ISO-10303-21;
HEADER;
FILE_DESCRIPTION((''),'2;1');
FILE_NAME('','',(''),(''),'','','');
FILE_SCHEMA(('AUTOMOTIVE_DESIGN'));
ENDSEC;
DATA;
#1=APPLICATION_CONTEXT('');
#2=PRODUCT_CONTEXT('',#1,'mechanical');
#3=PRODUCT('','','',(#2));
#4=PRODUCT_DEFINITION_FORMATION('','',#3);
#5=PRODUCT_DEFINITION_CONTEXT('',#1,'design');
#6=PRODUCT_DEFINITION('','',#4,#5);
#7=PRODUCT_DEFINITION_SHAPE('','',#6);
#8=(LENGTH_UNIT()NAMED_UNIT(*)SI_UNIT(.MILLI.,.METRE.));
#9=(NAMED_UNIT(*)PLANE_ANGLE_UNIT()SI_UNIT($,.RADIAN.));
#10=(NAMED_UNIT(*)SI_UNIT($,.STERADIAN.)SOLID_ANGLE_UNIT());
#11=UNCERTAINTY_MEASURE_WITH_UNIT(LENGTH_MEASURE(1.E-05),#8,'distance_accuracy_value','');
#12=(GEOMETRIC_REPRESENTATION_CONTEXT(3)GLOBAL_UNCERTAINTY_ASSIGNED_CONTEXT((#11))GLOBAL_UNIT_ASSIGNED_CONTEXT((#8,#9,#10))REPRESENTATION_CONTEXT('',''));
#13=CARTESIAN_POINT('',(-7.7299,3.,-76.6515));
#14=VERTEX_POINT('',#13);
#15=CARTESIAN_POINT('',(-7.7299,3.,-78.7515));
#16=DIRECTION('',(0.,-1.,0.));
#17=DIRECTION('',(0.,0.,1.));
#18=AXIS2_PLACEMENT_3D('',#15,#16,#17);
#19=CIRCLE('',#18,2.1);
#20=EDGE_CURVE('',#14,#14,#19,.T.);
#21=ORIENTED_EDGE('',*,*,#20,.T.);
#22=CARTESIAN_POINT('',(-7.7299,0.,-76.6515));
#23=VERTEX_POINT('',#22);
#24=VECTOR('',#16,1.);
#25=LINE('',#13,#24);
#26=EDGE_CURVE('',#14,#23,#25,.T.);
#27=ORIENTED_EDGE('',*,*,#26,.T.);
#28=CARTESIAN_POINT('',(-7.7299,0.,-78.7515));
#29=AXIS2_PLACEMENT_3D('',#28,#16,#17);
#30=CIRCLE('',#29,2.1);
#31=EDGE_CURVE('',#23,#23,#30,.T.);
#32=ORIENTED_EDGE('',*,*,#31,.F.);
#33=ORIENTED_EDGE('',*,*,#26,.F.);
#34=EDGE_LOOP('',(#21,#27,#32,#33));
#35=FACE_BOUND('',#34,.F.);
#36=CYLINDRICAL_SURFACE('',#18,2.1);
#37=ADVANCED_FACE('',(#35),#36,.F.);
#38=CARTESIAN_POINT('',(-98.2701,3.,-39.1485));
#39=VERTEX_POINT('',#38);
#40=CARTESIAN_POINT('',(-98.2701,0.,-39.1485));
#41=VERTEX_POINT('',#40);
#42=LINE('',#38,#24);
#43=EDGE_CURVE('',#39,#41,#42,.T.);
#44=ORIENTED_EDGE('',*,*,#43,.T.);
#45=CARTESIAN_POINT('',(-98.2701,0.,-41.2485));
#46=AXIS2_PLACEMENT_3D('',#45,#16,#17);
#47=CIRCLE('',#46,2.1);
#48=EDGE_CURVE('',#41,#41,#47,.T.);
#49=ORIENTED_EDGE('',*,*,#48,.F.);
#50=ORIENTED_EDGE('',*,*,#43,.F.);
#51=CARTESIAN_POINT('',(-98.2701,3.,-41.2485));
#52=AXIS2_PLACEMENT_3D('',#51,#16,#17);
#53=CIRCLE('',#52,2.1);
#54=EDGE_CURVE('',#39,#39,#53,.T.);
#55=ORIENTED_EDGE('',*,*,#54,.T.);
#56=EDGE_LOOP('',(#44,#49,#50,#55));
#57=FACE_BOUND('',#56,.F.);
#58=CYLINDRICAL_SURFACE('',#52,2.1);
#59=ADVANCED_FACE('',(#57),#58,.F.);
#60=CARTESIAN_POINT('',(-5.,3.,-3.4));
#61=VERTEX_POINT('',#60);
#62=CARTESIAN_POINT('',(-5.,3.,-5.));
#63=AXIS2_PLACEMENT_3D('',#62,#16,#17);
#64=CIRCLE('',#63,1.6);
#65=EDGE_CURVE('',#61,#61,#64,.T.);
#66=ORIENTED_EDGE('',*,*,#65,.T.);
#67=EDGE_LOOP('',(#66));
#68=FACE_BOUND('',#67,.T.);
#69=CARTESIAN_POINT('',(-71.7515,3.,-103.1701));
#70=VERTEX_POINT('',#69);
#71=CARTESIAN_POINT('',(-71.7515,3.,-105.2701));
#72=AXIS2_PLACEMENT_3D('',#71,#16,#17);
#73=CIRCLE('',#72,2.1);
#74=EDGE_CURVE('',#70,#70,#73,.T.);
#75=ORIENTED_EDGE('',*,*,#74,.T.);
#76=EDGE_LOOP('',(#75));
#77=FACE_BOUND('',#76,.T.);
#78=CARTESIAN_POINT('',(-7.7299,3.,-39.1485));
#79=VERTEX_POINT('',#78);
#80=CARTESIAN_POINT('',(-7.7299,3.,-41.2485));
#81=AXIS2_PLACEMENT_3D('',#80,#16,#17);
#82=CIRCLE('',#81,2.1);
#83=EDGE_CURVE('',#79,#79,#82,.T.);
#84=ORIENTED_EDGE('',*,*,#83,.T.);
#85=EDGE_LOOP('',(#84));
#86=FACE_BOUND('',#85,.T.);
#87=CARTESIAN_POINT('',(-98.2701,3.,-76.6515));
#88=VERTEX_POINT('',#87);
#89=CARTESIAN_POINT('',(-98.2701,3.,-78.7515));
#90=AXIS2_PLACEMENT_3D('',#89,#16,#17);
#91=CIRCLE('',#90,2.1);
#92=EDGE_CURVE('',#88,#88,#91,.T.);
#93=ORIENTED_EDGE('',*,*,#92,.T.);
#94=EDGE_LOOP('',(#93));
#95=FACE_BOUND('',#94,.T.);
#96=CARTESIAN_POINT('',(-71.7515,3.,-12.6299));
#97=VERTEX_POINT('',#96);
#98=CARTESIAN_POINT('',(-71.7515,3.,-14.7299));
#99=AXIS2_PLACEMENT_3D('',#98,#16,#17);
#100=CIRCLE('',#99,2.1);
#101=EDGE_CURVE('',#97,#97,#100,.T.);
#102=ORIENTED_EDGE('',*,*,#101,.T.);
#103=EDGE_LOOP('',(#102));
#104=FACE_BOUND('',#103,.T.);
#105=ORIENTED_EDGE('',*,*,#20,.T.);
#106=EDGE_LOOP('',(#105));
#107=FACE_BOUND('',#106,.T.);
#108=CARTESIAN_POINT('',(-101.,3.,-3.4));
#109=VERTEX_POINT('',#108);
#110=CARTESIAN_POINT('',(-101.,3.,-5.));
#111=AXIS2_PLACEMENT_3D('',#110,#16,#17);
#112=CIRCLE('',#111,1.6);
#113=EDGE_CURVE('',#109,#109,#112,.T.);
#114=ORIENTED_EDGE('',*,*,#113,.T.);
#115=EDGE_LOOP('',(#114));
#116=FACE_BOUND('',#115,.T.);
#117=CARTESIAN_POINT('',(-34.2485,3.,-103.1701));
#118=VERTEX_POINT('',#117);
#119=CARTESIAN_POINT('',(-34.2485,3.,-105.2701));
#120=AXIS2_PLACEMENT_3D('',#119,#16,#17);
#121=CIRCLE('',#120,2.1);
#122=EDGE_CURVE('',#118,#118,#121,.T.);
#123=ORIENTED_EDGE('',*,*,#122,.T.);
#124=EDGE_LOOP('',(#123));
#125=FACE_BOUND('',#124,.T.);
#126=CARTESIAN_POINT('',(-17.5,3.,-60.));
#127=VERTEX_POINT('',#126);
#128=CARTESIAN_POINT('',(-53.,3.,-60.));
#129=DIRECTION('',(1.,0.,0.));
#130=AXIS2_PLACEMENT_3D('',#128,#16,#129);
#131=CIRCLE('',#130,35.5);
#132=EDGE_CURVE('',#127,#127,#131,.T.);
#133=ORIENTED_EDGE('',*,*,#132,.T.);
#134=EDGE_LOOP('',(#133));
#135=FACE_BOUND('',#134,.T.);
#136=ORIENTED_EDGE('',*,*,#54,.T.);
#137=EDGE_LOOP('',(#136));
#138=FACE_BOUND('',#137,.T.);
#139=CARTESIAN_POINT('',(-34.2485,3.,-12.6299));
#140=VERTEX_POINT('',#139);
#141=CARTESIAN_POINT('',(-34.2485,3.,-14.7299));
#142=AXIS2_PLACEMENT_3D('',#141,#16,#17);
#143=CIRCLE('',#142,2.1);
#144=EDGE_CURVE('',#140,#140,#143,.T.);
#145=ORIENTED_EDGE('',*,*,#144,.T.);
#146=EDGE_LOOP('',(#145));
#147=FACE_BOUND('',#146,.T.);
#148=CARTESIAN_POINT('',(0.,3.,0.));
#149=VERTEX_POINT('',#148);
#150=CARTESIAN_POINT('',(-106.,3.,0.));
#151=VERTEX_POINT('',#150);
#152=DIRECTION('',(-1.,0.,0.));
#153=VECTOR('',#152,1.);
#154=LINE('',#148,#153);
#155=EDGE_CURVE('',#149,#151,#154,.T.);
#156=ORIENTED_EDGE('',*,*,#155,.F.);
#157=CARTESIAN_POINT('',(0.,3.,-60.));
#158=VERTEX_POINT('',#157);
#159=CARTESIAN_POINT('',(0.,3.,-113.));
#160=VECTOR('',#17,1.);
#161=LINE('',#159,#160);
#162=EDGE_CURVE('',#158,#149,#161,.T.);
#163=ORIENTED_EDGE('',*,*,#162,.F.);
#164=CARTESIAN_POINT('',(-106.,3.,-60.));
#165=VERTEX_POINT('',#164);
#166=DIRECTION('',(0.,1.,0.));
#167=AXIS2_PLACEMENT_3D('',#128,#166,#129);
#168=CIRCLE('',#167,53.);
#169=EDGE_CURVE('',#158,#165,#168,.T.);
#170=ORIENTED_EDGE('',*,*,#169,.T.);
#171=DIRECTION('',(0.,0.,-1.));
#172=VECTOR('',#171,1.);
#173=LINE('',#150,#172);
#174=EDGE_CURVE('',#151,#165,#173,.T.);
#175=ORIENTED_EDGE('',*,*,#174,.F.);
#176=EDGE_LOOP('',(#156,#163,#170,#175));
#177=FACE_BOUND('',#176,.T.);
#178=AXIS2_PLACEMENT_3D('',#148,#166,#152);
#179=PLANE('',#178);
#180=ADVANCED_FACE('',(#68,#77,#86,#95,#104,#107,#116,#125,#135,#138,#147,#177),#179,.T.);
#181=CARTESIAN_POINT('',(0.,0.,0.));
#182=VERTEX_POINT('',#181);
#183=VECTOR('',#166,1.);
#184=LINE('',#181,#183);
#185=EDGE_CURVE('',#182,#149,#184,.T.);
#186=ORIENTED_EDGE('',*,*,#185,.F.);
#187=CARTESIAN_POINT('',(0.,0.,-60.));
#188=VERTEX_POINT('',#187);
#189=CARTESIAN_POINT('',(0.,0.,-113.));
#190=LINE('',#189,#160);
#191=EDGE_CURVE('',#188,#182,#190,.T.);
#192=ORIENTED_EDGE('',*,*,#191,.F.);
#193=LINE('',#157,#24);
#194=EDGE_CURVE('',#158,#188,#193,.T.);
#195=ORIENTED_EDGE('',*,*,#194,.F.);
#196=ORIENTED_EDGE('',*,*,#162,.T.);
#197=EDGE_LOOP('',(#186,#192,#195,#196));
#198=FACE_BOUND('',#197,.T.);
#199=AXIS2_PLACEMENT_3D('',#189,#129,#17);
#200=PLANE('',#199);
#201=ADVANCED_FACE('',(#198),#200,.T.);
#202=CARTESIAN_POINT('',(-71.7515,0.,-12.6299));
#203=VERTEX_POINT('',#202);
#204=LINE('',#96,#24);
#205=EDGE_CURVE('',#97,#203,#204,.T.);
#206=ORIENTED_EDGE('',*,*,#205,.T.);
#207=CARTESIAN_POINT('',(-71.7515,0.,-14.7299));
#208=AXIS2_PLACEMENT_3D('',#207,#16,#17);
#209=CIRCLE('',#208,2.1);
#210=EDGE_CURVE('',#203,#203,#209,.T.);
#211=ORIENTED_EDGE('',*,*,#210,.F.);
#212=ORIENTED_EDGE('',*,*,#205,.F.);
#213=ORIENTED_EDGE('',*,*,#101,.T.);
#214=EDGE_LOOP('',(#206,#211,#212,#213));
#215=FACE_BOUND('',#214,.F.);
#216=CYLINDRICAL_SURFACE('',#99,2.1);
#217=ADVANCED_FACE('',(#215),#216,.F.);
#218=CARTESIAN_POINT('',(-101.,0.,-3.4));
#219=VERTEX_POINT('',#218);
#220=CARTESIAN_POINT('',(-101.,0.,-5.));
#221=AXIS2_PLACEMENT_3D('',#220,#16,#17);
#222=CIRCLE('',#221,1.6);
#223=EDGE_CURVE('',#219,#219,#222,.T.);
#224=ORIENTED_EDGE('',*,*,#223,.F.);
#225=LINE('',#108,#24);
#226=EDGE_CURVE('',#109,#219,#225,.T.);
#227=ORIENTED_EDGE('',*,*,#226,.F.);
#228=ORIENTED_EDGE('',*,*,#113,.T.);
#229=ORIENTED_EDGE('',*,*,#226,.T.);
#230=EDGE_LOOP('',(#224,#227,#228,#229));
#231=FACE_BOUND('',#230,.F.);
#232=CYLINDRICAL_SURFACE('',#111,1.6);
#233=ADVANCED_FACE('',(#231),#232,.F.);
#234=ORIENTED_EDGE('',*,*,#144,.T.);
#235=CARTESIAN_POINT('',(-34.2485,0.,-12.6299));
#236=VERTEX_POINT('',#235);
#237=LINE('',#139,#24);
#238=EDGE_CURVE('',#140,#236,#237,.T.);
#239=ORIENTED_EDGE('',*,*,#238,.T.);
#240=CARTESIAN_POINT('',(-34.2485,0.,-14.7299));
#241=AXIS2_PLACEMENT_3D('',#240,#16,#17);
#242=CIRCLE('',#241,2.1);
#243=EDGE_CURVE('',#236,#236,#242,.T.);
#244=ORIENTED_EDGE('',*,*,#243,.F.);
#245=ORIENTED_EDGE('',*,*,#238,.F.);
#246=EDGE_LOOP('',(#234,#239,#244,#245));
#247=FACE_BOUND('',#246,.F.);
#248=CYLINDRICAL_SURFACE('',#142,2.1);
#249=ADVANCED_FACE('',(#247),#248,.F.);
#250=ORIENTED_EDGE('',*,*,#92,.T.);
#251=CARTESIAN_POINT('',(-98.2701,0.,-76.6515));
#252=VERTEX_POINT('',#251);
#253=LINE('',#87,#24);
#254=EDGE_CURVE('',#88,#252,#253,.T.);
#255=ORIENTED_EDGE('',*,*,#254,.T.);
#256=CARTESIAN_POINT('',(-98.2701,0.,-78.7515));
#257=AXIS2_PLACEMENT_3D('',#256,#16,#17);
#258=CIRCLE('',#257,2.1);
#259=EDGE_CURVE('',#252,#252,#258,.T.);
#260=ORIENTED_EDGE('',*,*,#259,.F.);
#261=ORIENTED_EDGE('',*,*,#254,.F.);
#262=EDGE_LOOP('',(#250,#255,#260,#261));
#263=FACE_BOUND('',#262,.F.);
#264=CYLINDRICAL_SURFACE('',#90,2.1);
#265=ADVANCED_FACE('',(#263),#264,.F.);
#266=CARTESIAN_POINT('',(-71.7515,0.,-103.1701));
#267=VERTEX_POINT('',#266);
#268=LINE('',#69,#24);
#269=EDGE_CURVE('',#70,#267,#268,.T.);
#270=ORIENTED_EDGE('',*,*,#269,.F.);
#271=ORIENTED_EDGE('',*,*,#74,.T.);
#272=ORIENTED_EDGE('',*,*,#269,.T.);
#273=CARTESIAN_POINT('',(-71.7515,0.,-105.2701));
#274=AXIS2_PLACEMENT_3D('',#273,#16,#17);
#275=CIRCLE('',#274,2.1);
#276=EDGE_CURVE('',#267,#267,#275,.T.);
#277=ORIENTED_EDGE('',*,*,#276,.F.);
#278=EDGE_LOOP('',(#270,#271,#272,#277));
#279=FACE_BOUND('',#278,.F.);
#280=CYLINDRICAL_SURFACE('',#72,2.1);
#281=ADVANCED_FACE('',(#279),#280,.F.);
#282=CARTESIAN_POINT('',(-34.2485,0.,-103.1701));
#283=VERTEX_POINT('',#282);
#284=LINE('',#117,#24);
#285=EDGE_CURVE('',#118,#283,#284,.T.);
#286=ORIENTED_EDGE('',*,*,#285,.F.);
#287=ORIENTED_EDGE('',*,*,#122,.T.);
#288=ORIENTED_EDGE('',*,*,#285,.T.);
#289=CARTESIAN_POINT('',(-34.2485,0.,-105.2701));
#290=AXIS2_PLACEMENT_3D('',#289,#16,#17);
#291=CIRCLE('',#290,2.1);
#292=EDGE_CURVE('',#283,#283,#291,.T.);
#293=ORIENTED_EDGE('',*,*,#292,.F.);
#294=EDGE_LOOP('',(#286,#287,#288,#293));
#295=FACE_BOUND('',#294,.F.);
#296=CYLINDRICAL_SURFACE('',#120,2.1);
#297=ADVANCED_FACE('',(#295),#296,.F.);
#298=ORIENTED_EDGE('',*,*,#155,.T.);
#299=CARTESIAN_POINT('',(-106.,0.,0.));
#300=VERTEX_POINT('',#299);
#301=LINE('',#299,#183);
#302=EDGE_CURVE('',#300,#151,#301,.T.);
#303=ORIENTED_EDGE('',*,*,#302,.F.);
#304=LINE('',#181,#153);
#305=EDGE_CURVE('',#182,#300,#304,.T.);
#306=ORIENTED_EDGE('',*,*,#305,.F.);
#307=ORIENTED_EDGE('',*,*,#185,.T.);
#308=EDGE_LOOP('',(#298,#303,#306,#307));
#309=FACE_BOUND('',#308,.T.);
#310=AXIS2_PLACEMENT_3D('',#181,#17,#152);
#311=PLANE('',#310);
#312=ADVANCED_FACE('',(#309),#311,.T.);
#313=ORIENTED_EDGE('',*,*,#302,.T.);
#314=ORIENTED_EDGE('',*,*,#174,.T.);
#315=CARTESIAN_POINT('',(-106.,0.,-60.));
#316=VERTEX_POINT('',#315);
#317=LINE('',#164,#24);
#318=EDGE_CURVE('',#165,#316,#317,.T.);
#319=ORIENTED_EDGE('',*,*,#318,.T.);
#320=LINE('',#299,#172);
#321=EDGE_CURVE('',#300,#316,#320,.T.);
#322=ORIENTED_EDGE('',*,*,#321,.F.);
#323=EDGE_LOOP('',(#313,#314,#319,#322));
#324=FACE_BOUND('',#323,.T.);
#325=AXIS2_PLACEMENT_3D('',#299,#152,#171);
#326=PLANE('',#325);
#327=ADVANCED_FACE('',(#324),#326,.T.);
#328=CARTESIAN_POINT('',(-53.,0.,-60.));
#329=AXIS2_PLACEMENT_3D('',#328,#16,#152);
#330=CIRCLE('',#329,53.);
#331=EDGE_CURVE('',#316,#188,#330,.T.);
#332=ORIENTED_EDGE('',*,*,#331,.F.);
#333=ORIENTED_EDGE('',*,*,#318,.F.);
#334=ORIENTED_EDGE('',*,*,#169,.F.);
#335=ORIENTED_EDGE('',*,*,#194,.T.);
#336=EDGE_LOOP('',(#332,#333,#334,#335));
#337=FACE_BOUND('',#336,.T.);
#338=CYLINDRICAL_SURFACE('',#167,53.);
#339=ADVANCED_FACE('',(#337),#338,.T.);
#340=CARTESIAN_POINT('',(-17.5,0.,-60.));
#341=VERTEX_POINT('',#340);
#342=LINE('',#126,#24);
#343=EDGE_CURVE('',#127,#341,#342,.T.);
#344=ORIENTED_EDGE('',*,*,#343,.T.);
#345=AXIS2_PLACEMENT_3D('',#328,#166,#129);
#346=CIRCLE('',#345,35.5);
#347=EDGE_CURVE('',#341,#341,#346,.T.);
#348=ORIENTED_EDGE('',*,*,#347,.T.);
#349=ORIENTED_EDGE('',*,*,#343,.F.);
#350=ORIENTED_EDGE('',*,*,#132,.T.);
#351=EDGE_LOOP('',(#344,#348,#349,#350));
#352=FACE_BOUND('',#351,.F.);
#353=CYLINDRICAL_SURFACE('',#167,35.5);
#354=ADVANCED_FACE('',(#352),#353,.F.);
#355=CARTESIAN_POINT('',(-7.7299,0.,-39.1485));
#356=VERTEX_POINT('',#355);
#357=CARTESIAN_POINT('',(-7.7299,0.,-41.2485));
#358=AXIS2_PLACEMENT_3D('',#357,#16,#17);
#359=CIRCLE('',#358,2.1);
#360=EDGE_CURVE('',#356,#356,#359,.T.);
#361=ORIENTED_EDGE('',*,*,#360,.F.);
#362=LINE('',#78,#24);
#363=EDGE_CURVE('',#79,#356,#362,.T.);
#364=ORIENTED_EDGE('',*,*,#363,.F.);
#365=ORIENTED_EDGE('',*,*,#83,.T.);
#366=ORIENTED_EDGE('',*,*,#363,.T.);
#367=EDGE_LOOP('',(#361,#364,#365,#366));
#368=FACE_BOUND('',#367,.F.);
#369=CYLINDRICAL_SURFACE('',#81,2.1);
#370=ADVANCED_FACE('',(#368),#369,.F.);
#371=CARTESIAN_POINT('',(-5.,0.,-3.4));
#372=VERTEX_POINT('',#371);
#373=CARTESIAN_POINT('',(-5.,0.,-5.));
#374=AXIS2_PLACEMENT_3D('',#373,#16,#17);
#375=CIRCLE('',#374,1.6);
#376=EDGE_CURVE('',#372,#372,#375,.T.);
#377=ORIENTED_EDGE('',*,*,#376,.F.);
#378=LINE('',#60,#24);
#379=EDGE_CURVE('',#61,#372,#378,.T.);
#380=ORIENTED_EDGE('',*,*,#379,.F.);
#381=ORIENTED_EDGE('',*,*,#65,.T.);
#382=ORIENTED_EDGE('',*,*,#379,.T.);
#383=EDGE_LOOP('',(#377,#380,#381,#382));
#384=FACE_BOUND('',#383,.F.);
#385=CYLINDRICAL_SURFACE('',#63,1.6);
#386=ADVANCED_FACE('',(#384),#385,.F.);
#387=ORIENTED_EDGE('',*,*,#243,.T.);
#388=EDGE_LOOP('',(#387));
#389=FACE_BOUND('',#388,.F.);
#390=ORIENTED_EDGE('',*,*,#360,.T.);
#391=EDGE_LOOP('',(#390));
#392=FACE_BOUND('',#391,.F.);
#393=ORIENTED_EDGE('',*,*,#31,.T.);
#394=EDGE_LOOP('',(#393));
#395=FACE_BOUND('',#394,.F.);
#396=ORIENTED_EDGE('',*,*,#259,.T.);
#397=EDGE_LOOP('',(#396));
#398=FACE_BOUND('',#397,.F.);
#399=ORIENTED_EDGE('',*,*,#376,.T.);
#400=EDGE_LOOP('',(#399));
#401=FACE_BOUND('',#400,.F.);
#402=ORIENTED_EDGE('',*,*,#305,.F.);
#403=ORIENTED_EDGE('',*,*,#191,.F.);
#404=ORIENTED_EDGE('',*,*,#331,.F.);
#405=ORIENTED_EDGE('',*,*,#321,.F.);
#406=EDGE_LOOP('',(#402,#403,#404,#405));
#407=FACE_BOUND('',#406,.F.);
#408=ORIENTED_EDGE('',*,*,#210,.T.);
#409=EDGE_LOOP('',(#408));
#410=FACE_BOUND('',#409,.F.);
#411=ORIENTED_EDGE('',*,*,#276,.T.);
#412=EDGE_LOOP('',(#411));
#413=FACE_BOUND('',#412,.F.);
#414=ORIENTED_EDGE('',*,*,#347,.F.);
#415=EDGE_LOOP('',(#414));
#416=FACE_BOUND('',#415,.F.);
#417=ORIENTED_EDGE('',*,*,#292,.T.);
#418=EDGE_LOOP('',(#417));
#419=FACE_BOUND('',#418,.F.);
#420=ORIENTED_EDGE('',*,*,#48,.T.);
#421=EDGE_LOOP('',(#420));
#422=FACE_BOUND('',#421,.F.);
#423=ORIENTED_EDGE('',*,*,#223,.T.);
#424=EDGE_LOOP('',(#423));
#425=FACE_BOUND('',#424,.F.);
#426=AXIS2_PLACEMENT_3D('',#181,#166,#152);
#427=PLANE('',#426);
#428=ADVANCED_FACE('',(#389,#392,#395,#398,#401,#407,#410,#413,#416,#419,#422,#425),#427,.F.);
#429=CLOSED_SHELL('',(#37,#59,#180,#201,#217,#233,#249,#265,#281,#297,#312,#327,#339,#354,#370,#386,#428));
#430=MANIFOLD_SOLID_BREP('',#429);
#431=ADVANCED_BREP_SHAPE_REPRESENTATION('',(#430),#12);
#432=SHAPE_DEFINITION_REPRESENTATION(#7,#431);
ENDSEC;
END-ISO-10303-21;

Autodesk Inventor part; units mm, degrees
ref_plane "YZ Plane" through (0, 0, 0) normal (1, 0, 0) x (0, 1, 0)
ref_plane "XZ Plane" through (0, 0, 0) normal (0, 1, 0) x (-1, 0, 0)
ref_plane "XY Plane" through (0, 0, 0) normal (0, 0, 1) x (1, 0, 0)
sketch "スケッチ1" plane through (0, 0, 0) normal (0, 1, 0) x (-1, 0, 0)
  line L0 (0, 0) -> (106, 0)
  line L1 (106, 0) -> (106, -113)
  line L2 (106, -113) -> (0, -113)
  line L3 (0, -113) -> (0, 0)
  dimension "d0" = 106
  dimension "d1" = 113
extrude "押し出し1" add sketch "スケッチ1" along normal blind 3
sketch "スケッチ3" plane through (0, 3, 0) normal (0, 1, 0) x (1, 0, 0)
  line L0 (-106, 113) -> (-106, 0) projected
  line L1 (0, 113) -> (-106, 113) projected
  circle A0 centre (-53, 60) radius 35.5
  line L2 (-106, 0) -> (0, 0) projected
  line L3 (-106, 60) -> (0, 60)
  line L4 (0, 0) -> (0, 113) projected
  circle A1 centre (-53, 60) radius 53
  point P0 (-53, 113)
  point P1 (0, 60)
  point P2 (-106, 60)
  dimension "d17" = 71
  dimension "d49" = 53
  dimension "d50" = 0
  dimension "d52" = 106
extrude "押し出し2" cut sketch "スケッチ3" against normal blind 3 contours L1 A1 L0 | L1 L4 A1 | L3 A0 | A0 L3
sketch "スケッチ4" plane through (0, 3, 0) normal (0, 1, 0) x (1, 0, 0)
  line L0 (-106, 113) -> (-106, 0) projected
  line L1 (-106, 5) -> (0, 5)
  line L2 (0, 0) -> (0, 113) projected
  line L3 (-106, 0) -> (0, 0) projected
  line L4 (0, 113) -> (-106, 113) projected
  line L5 (-106, 0) -> (0, 0) projected
  line L6 (-101, 0) -> (-101, 113)
  line L7 (-5, 113) -> (-5, 0)
  point P0 (-101, 5)
  point P1 (-5, 5)
  dimension "d22" = 5
  dimension "d24" = 5
  dimension "d25" = 5
hole "穴2" at (-101, 3, -5) at (-5, 3, -5) direction (0, -1, 0) diameter 3.2 end through all
sketch "スケッチ5" plane through (0, 3, 0) normal (0, 1, 0) x (1, 0, 0)
  line L0 (-106, 113) -> (-106, 0) projected
  line L1 (-106, 60) -> (0, 60)
  circle A0 centre (-53, 60) radius 49
  line L2 (0, 113) -> (-106, 113) projected
  line L3 (-53, 60) -> (-7.7299, 78.7515)
  point P0 (0, 0)
  point P1 (-34.2485, 105.2701)
  point P2 (-71.7515, 105.2701)
  point P3 (-98.2701, 78.7515)
  point P4 (-98.2701, 41.2485)
  point P5 (-71.7515, 14.7299)
  point P6 (-34.2485, 14.7299)
  point P7 (-7.7299, 41.2485)
  dimension "d35" = 98
  dimension "d36" = 53
  dimension "d37" = 22.5
  dimension "d40" = 360
hole "穴3" at (-7.7299, 3, -78.7515) at (-34.2485, 3, -105.2701) at (-71.7515, 3, -105.2701) at (-98.2701, 3, -78.7515) at (-98.2701, 3, -41.2485) at (-71.7515, 3, -14.7299) at (-34.2485, 3, -14.7299) at (-7.7299, 3, -41.2485) direction (0, -1, 0) diameter 4.2 end through all
equation "\"d47\" = Thickness"
equation "\"BendRadius\" = Thickness"
equation "\"BendReliefWidth\" = Thickness"
equation "\"BendReliefDepth\" = 0.5 * Thickness"
equation "\"CornerReliefSize\" = 4 * Thickness"
equation "\"MinimumRemnant\" = 2 * Thickness"
equation "\"TransitionRadius\" = BendRadius"
equation "\"JacobiRadiusSize\" = BendRadius"
equation "\"GapSize\" = Thickness"
equation "\"Thickness\" = 0.5"
properties part number "link2_plate1" material "アルミニウム 6061"
